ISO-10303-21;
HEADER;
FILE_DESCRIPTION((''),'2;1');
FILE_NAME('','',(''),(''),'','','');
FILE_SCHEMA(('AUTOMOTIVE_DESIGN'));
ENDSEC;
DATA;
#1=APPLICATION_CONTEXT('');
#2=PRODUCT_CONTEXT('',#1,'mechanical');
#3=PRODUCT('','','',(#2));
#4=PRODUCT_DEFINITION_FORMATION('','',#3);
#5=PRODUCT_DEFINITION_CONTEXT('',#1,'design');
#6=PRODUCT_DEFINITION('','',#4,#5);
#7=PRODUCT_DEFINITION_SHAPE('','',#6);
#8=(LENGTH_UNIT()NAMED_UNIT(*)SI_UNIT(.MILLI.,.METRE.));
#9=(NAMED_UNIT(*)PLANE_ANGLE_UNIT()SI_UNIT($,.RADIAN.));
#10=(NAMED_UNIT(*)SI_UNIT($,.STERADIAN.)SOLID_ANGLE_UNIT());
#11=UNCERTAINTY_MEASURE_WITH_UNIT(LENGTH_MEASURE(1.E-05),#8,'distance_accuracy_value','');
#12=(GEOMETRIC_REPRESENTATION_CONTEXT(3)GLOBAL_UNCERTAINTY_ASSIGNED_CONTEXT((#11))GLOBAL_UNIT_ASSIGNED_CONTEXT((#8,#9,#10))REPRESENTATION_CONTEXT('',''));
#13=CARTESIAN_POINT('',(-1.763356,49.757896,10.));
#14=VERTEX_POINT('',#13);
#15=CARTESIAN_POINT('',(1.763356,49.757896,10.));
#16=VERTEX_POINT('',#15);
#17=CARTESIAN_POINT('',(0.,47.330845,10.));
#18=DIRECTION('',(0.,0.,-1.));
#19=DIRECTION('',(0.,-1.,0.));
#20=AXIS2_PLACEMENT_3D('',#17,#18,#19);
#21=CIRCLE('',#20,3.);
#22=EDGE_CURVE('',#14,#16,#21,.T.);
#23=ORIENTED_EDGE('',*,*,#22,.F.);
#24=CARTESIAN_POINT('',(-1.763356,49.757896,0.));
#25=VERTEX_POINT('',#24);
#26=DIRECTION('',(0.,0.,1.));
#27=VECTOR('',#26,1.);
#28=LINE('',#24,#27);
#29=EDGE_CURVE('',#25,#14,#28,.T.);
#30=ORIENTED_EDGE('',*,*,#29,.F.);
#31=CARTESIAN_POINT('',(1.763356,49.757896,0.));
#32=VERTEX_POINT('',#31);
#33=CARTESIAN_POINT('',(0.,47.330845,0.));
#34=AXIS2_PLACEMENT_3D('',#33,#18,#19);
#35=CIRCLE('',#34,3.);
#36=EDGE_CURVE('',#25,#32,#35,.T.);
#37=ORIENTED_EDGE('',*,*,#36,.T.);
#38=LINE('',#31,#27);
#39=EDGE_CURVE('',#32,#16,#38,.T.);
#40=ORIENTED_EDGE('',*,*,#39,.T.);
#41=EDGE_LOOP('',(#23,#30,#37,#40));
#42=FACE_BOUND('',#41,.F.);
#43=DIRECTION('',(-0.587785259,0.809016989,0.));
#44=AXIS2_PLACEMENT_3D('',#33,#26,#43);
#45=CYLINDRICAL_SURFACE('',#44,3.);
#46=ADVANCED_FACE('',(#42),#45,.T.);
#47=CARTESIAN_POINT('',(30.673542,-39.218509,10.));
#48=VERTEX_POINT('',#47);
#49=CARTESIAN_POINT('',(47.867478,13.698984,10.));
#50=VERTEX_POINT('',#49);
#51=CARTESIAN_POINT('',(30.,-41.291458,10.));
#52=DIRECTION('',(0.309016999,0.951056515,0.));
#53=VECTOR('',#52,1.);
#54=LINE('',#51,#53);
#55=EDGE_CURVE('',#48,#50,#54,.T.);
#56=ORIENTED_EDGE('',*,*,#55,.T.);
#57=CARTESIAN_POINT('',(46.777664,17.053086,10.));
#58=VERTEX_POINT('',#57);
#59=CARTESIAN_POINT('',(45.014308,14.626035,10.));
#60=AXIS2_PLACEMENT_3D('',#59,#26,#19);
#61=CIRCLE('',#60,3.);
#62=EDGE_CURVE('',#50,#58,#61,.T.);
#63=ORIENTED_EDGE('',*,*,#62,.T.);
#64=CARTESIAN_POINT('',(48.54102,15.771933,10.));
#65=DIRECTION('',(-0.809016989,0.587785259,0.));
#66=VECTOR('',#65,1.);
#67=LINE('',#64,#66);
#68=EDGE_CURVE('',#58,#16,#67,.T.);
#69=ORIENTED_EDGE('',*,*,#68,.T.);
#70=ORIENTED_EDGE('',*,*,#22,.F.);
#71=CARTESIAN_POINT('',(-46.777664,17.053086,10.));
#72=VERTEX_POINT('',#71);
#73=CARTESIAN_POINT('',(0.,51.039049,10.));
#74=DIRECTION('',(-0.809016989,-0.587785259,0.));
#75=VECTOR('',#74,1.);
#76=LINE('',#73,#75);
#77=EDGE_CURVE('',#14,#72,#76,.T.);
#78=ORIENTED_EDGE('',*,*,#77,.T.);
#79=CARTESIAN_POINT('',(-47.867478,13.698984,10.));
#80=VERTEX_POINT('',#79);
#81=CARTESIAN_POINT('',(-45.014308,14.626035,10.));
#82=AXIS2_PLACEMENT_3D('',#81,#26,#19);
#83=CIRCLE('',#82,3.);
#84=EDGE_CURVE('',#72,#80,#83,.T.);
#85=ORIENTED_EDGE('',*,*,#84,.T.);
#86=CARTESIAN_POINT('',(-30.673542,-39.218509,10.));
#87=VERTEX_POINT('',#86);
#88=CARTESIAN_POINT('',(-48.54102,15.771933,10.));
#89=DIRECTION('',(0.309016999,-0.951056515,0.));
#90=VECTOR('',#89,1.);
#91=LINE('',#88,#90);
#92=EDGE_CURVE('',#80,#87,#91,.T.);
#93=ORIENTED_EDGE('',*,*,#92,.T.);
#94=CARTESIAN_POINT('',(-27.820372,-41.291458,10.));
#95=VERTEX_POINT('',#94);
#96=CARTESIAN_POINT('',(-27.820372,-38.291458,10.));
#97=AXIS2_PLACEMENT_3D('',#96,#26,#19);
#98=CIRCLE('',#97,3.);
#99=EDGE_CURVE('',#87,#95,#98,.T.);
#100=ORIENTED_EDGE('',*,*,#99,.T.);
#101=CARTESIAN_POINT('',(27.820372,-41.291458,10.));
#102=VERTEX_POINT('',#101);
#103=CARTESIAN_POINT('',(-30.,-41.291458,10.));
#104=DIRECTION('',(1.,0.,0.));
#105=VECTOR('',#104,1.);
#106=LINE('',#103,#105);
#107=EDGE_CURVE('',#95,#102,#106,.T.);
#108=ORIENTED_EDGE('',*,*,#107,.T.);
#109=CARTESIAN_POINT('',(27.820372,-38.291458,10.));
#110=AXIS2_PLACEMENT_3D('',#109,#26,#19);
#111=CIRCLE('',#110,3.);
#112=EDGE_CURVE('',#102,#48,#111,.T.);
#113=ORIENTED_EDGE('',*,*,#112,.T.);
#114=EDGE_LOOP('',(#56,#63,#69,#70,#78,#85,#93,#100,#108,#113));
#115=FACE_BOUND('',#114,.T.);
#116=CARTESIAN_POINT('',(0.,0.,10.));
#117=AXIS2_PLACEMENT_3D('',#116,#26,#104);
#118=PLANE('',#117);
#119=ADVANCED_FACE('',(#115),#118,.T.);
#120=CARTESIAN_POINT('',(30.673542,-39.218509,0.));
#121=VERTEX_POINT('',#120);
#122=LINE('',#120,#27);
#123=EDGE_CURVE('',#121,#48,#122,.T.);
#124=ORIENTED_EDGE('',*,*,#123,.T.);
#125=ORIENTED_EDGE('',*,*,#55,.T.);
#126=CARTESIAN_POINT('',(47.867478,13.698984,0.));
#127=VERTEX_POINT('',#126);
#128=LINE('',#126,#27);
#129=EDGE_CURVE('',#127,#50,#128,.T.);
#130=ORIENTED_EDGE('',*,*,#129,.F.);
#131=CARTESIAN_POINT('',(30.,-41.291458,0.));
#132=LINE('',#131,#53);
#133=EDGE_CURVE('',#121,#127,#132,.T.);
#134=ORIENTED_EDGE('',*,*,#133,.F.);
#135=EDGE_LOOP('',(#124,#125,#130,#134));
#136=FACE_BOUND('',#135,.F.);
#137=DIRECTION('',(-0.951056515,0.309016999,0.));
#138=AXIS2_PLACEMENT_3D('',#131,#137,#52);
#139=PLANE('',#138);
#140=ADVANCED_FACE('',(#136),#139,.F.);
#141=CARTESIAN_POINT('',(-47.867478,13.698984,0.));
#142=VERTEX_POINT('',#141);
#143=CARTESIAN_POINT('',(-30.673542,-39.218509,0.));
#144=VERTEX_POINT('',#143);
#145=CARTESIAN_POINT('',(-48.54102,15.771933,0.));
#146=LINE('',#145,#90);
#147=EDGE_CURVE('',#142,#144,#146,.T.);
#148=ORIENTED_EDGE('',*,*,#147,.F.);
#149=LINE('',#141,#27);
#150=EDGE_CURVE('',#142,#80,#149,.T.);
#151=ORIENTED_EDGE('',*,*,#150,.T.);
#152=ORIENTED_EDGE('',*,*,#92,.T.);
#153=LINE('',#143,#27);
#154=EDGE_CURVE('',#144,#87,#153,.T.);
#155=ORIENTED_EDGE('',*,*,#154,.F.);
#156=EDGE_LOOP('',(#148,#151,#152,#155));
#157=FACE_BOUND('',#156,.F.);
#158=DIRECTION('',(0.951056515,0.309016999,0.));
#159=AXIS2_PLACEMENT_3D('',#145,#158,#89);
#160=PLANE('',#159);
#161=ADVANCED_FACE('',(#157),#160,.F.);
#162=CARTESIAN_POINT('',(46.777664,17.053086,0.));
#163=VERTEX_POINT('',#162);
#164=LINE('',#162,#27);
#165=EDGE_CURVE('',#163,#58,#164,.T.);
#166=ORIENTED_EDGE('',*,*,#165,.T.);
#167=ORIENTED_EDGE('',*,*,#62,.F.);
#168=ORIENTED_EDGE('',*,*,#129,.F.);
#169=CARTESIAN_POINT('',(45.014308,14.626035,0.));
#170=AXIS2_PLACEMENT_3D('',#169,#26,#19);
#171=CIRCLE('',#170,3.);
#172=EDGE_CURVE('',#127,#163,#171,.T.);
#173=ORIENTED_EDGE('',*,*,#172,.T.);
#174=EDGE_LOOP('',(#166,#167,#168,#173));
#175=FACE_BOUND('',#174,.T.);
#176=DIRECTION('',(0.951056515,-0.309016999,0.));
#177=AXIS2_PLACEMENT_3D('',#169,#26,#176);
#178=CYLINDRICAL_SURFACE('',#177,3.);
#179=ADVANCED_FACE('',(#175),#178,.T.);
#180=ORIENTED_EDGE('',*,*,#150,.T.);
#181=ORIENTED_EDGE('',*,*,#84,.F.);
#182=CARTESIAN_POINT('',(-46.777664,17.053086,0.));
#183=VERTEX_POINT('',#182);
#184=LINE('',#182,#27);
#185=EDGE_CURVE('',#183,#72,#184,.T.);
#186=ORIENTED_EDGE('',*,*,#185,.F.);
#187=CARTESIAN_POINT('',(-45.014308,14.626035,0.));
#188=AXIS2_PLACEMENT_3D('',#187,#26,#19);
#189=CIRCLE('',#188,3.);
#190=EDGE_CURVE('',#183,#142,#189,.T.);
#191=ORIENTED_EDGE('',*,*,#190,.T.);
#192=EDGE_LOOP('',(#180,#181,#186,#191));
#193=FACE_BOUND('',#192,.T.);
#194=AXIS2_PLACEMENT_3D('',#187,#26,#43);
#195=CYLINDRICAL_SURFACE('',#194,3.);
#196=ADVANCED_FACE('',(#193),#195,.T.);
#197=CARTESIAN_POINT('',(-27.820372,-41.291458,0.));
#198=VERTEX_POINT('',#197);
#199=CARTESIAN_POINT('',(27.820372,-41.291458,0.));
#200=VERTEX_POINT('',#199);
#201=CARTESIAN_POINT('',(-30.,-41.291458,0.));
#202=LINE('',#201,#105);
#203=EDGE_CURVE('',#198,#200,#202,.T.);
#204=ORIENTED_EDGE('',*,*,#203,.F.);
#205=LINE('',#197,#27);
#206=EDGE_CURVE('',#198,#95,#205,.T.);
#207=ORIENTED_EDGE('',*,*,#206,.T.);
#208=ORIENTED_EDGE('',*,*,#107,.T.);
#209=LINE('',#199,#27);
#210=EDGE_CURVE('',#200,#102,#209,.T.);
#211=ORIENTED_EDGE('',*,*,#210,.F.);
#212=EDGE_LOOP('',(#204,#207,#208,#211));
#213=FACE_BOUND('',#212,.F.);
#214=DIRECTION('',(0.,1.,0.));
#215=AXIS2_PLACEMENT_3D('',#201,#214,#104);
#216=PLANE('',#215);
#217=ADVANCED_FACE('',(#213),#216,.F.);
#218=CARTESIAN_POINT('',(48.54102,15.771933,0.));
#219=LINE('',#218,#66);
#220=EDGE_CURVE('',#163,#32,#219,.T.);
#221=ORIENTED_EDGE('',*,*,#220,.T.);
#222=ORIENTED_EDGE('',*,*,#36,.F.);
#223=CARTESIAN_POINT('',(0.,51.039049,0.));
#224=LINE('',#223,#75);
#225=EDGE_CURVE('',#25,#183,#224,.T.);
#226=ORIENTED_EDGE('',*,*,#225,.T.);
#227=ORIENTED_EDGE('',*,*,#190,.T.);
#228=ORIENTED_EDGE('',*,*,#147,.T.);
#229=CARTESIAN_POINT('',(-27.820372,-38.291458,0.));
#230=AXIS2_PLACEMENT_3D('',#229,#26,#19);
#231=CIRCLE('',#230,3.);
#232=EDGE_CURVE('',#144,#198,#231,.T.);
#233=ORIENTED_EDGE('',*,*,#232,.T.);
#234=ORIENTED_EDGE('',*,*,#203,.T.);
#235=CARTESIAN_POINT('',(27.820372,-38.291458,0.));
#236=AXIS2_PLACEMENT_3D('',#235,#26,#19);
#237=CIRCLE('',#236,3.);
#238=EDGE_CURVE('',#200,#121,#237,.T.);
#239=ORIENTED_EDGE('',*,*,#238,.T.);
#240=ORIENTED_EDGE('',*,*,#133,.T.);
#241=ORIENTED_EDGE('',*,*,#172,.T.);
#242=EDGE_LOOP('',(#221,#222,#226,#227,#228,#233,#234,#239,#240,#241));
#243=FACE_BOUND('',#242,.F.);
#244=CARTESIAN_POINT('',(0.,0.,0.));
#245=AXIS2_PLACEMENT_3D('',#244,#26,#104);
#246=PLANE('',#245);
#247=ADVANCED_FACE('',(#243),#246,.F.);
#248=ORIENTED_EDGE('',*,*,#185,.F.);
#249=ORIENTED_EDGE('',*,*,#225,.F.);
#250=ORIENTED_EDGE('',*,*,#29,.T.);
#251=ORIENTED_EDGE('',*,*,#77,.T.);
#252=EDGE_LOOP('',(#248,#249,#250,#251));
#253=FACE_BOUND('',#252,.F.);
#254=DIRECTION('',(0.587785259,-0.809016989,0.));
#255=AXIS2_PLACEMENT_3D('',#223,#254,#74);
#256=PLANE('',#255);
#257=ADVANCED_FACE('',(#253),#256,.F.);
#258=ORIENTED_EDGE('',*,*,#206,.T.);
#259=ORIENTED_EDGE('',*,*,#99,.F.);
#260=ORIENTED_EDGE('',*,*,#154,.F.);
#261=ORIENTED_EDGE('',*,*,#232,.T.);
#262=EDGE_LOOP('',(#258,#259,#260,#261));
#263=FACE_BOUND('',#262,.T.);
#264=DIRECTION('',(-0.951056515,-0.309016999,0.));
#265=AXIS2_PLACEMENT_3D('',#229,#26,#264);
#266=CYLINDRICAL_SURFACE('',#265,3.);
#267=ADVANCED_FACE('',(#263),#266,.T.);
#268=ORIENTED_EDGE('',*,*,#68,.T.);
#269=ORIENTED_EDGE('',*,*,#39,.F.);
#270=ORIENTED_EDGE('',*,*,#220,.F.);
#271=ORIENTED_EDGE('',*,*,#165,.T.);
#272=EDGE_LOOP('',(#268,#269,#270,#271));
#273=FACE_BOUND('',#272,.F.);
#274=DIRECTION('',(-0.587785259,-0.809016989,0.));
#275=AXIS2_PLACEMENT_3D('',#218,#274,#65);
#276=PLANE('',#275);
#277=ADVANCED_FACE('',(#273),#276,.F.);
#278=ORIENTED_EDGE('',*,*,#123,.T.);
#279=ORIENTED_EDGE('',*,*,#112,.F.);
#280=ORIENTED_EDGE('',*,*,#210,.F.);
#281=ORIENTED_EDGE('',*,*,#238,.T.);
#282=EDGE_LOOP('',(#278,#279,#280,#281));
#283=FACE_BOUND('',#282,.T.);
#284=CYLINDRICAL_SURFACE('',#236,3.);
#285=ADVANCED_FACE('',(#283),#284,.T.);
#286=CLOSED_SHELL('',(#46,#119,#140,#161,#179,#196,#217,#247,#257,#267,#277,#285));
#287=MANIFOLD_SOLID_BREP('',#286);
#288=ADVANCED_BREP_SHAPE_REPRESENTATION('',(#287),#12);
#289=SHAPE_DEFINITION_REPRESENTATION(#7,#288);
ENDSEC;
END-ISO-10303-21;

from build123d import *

# Parameters (mm, degrees)
PAD_DEPTH = 10
FILLET_R  = 3


with BuildPart() as part:
    # Sketch → Pad (new body)
    with BuildSketch(Plane.XY):
        Polygon((0, 51.039049), (-48.54102, 15.771933), (-30, -41.291458), (30, -41.291458), (48.54102, 15.771933), align=None)
    extrude(amount=PAD_DEPTH)

    # Fillet
    fillet_edges = [part.edges().sort_by_distance(p)[0] for p in [
        (48.54102, 15.771933, 5),
        (0, 51.039049, 5),
        (-48.54102, 15.771933, 5),
        (-30, -41.291458, 5),
        (30, -41.291458, 5),
    ]]
    fillet(fillet_edges, radius=FILLET_R)


solid = part.part
